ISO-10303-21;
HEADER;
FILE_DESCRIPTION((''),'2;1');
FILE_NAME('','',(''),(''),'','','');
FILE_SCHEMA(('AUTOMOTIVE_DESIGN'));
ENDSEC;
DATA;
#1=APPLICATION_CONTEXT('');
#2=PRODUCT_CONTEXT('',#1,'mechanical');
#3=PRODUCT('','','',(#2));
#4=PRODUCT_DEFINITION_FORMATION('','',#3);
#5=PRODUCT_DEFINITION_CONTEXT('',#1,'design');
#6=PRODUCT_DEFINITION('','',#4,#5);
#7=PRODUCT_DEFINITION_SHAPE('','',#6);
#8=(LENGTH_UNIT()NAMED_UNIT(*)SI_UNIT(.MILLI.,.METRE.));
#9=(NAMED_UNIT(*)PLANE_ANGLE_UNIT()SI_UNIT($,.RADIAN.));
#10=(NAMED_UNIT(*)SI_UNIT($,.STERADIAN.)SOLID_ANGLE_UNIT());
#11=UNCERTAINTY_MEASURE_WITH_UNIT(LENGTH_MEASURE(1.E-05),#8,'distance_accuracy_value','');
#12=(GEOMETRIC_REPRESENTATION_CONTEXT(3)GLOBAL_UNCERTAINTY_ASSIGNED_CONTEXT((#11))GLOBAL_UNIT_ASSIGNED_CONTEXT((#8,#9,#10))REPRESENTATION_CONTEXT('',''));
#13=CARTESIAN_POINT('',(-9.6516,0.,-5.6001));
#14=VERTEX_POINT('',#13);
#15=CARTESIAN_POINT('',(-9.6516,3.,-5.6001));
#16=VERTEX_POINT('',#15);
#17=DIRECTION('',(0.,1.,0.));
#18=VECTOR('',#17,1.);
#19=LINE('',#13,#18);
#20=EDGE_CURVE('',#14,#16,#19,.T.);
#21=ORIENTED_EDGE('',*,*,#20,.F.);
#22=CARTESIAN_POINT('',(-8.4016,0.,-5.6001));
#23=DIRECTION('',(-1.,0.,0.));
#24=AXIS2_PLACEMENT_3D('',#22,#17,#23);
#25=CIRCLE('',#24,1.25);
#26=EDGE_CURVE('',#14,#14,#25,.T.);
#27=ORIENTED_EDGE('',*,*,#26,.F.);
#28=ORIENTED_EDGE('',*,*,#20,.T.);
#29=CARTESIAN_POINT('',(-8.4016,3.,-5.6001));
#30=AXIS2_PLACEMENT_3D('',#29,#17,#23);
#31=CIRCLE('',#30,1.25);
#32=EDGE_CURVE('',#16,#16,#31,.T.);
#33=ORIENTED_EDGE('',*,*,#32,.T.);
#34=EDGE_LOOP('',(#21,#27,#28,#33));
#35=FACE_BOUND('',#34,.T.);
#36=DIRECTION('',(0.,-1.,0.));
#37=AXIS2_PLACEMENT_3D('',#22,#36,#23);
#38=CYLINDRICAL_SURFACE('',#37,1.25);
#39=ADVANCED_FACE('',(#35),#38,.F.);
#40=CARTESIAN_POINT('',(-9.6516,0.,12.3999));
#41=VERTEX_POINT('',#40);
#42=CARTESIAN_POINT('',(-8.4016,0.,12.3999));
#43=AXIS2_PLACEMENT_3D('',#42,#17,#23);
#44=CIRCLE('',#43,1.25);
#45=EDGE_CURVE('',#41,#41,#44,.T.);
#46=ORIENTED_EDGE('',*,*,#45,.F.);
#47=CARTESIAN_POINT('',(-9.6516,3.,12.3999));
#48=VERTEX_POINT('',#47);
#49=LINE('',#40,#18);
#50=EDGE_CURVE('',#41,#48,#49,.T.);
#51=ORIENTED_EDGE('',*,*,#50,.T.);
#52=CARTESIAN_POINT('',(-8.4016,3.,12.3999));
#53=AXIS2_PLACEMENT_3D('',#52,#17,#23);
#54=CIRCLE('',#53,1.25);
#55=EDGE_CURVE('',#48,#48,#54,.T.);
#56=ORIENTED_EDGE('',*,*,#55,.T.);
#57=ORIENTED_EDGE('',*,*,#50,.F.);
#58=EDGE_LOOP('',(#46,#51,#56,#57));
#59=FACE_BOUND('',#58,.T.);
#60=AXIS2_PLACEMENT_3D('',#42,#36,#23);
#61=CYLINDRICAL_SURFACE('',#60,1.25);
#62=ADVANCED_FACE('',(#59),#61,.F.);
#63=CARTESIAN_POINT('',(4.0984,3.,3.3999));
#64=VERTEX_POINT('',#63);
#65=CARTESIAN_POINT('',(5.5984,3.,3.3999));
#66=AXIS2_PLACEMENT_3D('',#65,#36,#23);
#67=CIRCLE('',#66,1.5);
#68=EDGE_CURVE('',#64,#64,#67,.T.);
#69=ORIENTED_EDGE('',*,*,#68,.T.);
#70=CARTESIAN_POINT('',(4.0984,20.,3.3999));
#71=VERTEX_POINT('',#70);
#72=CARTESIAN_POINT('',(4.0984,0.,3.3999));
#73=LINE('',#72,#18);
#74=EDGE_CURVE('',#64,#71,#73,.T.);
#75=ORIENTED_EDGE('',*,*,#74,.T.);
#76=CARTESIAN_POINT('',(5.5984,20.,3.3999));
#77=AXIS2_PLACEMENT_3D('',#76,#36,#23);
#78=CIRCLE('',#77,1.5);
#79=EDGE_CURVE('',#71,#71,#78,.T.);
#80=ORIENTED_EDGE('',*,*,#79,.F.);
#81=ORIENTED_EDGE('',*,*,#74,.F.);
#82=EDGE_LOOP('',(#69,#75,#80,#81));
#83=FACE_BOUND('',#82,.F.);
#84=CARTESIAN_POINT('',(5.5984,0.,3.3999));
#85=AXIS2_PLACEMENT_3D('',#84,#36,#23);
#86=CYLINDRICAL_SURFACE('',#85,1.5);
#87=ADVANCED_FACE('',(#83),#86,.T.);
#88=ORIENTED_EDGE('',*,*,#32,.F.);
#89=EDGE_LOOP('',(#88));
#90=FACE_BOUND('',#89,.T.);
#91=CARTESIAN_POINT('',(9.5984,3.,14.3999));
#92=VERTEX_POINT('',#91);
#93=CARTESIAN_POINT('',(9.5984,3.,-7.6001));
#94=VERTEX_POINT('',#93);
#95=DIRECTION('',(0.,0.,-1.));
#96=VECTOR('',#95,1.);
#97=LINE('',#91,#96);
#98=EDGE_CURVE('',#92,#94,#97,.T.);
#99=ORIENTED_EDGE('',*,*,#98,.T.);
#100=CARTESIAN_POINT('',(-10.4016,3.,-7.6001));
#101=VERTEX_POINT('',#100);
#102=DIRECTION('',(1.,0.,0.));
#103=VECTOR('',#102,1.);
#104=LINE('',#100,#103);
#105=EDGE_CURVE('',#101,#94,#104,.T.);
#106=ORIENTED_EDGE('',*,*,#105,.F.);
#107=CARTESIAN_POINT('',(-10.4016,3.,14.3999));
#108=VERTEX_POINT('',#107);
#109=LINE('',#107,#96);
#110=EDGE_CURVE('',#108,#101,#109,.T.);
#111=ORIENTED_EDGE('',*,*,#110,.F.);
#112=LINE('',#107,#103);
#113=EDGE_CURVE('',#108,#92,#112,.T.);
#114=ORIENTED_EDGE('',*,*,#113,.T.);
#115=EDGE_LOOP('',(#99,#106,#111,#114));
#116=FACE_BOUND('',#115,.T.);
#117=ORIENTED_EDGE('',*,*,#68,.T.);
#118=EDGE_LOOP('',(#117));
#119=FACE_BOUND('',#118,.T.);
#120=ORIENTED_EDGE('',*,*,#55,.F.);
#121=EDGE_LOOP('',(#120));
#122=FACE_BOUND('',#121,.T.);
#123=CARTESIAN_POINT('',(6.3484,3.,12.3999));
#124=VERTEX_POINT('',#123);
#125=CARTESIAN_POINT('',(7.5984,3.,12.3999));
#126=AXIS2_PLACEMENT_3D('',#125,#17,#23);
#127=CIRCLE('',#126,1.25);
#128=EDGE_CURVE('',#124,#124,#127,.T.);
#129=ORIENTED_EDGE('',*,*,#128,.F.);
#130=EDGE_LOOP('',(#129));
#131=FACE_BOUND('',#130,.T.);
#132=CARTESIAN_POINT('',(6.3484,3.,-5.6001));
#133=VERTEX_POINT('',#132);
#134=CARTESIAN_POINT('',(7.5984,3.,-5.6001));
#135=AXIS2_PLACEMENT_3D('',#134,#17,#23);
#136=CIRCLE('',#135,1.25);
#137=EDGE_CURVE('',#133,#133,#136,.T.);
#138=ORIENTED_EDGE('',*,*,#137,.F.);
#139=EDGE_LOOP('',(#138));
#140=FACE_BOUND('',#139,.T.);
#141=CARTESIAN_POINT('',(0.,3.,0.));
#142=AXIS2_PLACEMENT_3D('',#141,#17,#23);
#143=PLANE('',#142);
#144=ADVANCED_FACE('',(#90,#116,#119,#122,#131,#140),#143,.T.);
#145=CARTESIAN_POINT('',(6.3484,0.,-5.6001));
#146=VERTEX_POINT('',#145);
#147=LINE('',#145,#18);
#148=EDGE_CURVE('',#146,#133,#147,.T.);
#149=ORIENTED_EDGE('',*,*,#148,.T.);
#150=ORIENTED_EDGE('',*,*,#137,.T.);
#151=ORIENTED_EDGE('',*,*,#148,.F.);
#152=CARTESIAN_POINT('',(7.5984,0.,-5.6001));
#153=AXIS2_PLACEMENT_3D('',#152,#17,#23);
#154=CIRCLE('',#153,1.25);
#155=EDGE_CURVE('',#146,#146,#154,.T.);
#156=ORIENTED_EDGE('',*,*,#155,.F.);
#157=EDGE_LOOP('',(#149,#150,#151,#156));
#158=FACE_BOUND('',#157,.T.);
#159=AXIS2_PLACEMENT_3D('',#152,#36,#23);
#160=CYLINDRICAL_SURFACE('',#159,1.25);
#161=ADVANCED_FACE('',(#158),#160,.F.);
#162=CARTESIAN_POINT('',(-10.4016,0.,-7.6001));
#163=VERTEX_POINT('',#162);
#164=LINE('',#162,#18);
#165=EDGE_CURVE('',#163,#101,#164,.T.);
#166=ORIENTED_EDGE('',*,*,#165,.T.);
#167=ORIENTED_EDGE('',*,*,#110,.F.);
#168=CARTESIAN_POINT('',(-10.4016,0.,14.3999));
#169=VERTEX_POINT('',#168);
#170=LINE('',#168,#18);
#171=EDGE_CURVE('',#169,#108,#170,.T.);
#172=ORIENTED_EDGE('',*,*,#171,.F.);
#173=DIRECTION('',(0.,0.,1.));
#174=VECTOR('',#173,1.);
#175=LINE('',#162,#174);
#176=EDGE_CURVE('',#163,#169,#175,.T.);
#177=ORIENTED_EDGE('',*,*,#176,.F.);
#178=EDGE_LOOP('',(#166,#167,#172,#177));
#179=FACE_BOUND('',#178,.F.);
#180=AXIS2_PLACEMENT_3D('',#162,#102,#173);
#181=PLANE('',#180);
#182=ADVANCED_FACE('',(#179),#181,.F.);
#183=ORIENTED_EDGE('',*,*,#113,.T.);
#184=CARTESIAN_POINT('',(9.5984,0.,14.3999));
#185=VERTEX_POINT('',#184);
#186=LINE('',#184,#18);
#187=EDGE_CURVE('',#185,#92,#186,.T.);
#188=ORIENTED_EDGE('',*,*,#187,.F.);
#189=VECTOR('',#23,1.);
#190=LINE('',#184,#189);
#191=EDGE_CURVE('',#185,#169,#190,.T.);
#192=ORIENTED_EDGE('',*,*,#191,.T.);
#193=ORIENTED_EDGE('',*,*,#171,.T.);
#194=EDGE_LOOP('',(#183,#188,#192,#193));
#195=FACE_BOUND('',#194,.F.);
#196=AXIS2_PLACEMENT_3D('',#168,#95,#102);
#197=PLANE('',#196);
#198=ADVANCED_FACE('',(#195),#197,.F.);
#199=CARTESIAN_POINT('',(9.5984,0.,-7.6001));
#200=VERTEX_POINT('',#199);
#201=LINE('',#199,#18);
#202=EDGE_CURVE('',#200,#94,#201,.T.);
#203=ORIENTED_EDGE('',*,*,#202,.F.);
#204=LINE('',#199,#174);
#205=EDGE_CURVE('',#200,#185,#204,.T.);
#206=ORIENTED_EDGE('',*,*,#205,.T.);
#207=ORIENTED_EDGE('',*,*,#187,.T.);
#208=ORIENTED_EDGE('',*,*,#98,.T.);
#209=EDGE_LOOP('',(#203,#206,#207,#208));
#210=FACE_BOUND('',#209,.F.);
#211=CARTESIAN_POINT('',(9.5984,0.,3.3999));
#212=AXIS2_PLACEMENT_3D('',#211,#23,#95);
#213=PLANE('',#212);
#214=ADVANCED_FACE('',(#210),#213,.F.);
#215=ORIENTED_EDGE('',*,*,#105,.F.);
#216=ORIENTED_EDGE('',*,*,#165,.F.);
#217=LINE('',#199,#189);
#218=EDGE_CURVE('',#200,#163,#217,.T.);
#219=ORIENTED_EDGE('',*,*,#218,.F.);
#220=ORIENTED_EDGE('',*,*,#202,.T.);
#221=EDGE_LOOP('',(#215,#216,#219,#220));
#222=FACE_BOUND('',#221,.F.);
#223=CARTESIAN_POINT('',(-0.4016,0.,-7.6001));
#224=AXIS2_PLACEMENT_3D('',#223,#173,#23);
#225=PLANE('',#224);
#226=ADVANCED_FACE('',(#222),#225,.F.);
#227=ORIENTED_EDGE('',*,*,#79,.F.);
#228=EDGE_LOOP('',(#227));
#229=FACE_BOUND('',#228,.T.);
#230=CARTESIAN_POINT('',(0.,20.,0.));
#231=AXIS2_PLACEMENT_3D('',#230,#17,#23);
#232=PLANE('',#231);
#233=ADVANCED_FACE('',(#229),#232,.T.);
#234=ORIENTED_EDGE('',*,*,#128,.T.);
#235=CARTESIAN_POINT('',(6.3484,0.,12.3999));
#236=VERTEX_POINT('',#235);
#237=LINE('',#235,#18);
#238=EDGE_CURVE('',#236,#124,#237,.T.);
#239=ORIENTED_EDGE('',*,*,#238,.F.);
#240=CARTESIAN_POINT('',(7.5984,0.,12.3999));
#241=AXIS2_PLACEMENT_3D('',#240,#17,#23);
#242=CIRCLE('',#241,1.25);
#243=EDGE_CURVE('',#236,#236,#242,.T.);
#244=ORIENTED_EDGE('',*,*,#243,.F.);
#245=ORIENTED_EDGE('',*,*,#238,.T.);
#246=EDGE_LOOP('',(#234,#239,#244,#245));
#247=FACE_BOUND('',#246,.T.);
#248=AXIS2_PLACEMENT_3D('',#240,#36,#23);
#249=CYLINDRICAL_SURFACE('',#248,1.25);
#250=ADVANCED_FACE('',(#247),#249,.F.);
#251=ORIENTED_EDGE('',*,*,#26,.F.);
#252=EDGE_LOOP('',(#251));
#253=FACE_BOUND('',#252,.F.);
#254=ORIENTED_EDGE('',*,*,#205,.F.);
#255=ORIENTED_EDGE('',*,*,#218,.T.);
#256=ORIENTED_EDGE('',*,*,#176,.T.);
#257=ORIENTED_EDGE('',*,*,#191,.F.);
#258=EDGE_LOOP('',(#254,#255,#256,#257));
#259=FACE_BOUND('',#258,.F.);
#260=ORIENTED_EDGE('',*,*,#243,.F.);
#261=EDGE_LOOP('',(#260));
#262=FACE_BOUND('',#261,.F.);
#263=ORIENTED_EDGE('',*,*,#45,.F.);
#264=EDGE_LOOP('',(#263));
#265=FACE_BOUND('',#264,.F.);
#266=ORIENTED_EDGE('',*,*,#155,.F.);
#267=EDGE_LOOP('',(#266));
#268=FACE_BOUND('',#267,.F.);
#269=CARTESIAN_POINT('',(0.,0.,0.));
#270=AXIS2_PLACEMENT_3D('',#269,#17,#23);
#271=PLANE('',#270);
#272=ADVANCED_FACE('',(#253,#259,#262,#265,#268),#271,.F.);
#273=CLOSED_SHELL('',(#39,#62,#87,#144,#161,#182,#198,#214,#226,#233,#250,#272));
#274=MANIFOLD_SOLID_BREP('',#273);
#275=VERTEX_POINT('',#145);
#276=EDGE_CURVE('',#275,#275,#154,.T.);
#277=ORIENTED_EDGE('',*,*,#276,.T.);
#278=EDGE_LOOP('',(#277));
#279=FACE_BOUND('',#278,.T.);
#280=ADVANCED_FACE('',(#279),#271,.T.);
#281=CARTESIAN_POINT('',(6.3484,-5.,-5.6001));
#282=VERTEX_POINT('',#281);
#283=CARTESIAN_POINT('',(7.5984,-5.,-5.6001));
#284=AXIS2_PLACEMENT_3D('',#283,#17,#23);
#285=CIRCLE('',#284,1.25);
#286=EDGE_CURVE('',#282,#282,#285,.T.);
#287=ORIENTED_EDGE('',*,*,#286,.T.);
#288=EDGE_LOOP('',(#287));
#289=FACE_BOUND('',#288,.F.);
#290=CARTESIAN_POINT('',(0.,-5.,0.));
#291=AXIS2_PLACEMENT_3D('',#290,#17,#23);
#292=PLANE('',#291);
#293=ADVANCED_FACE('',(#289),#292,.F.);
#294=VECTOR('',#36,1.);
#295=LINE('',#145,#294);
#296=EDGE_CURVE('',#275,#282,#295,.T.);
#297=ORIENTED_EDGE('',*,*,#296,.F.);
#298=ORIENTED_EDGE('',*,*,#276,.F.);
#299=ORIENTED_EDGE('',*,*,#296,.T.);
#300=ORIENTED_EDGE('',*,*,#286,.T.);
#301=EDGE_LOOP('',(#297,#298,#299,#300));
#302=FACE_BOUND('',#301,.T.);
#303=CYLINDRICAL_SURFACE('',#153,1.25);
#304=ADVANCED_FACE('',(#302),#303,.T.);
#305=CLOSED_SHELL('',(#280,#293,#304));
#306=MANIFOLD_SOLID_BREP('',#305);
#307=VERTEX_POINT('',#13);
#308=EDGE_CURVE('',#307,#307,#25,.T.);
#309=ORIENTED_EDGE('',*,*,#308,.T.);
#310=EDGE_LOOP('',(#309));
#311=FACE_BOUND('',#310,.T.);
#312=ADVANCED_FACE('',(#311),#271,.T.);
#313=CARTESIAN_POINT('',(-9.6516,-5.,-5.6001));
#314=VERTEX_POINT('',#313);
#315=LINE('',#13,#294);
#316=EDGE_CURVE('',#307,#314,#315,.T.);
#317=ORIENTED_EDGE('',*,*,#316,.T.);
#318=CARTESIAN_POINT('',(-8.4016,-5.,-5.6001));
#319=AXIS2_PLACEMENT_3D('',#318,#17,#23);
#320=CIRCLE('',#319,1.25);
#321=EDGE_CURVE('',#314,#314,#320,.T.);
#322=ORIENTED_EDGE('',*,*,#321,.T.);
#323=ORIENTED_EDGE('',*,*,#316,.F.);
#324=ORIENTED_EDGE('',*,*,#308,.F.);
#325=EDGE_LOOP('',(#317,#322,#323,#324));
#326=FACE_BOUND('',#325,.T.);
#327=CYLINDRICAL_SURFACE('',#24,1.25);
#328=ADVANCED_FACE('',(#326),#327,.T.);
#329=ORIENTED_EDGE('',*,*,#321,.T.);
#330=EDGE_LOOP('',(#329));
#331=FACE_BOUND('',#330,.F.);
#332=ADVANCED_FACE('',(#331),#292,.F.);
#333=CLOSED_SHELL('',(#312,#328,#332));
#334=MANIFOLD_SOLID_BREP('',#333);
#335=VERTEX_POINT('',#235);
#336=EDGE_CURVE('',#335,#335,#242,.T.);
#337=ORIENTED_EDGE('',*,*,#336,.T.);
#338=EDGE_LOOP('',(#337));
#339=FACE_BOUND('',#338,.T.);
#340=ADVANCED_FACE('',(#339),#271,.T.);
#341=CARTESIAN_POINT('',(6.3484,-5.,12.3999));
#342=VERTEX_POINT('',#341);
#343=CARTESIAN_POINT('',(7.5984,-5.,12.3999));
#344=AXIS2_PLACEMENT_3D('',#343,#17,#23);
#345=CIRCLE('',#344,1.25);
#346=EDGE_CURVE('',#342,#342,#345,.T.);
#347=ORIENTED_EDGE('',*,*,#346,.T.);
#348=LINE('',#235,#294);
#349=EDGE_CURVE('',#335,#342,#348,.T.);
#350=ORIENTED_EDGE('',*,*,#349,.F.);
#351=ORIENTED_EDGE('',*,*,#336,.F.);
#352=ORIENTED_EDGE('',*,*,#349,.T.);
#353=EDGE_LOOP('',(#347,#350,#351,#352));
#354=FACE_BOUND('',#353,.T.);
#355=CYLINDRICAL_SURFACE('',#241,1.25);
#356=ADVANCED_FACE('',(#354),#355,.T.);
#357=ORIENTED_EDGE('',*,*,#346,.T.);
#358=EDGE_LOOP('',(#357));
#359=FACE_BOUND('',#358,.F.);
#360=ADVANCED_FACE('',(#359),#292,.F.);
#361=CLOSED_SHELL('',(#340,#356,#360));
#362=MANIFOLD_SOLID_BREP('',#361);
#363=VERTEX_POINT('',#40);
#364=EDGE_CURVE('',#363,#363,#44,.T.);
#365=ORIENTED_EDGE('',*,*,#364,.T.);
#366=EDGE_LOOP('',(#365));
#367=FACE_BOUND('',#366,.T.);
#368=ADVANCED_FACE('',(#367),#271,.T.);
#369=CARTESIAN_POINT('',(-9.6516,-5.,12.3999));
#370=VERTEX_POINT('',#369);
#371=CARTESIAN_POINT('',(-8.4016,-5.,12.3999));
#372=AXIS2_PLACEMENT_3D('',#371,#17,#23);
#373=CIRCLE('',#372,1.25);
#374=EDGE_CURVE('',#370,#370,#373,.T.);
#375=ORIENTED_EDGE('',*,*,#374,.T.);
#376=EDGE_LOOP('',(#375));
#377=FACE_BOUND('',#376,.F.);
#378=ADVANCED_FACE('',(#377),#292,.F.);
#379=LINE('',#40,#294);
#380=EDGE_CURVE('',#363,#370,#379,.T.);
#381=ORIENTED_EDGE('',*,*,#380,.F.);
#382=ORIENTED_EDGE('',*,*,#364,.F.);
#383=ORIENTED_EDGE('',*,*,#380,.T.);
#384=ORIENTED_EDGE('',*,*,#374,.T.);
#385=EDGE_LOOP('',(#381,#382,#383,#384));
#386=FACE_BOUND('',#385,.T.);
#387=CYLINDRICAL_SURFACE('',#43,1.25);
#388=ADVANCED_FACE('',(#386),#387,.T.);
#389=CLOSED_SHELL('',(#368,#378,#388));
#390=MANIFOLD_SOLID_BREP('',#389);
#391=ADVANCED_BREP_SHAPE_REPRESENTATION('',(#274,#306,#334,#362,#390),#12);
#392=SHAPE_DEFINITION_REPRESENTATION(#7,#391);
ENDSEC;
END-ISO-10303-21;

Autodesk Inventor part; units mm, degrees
ref_plane "YZ Plane" through (0, 0, 0) normal (1, 0, 0) x (0, 1, 0)
ref_plane "XZ Plane" through (0, 0, 0) normal (0, 1, 0) x (-1, 0, 0)
ref_plane "XY Plane" through (0, 0, 0) normal (0, 0, 1) x (1, 0, 0)
sketch "Sketch1" plane through (0, 0, 0) normal (0, 1, 0) x (-1, 0, 0)
  line L0 (15.7413, 3.3999) -> (-17.2771, 3.3999)
  line L1 (0.4016, 18.4289) -> (0.4016, -19.5807)
  line L2 (10.4016, 14.3999) -> (-9.5984, 14.3999)
  line L3 (-9.5984, 14.3999) -> (-9.5984, -7.6001)
  line L4 (-9.5984, -7.6001) -> (10.4016, -7.6001)
  line L5 (10.4016, -7.6001) -> (10.4016, 14.3999)
  circle A0 centre (8.4016, 12.3999) radius 1.25
  circle A1 centre (8.4016, -5.6001) radius 1.25
  circle A2 centre (-7.5984, 12.3999) radius 1.25
  circle A3 centre (-7.5984, -5.6001) radius 1.25
  circle A4 centre (-5.5984, 3.3999) radius 1.5
  point P0 (0, 0)
  dimension "d0" = 2.5
  dimension "d1" = 18
  dimension "d2" = 22
  dimension "d3" = 20
  dimension "d4" = 16
  dimension "d5" = 3
  dimension "d6" = 16
extrude "Extrusion1" add sketch "Sketch1" along normal blind 3 contours L5 L4 L1 L0 | L0 L1 L2 L5 | L1 L4 L3 L0 A4 | L0 A4 L3 L2 L1
extrude "Extrusion2" add sketch "Sketch1" along normal blind 20 contours A4 L0 | L0 A4
extrude "Extrusion3" add sketch "Sketch1" against normal blind 5 contours A0 | A1 | A2 | A3
properties part number "slider" material "Gold"
